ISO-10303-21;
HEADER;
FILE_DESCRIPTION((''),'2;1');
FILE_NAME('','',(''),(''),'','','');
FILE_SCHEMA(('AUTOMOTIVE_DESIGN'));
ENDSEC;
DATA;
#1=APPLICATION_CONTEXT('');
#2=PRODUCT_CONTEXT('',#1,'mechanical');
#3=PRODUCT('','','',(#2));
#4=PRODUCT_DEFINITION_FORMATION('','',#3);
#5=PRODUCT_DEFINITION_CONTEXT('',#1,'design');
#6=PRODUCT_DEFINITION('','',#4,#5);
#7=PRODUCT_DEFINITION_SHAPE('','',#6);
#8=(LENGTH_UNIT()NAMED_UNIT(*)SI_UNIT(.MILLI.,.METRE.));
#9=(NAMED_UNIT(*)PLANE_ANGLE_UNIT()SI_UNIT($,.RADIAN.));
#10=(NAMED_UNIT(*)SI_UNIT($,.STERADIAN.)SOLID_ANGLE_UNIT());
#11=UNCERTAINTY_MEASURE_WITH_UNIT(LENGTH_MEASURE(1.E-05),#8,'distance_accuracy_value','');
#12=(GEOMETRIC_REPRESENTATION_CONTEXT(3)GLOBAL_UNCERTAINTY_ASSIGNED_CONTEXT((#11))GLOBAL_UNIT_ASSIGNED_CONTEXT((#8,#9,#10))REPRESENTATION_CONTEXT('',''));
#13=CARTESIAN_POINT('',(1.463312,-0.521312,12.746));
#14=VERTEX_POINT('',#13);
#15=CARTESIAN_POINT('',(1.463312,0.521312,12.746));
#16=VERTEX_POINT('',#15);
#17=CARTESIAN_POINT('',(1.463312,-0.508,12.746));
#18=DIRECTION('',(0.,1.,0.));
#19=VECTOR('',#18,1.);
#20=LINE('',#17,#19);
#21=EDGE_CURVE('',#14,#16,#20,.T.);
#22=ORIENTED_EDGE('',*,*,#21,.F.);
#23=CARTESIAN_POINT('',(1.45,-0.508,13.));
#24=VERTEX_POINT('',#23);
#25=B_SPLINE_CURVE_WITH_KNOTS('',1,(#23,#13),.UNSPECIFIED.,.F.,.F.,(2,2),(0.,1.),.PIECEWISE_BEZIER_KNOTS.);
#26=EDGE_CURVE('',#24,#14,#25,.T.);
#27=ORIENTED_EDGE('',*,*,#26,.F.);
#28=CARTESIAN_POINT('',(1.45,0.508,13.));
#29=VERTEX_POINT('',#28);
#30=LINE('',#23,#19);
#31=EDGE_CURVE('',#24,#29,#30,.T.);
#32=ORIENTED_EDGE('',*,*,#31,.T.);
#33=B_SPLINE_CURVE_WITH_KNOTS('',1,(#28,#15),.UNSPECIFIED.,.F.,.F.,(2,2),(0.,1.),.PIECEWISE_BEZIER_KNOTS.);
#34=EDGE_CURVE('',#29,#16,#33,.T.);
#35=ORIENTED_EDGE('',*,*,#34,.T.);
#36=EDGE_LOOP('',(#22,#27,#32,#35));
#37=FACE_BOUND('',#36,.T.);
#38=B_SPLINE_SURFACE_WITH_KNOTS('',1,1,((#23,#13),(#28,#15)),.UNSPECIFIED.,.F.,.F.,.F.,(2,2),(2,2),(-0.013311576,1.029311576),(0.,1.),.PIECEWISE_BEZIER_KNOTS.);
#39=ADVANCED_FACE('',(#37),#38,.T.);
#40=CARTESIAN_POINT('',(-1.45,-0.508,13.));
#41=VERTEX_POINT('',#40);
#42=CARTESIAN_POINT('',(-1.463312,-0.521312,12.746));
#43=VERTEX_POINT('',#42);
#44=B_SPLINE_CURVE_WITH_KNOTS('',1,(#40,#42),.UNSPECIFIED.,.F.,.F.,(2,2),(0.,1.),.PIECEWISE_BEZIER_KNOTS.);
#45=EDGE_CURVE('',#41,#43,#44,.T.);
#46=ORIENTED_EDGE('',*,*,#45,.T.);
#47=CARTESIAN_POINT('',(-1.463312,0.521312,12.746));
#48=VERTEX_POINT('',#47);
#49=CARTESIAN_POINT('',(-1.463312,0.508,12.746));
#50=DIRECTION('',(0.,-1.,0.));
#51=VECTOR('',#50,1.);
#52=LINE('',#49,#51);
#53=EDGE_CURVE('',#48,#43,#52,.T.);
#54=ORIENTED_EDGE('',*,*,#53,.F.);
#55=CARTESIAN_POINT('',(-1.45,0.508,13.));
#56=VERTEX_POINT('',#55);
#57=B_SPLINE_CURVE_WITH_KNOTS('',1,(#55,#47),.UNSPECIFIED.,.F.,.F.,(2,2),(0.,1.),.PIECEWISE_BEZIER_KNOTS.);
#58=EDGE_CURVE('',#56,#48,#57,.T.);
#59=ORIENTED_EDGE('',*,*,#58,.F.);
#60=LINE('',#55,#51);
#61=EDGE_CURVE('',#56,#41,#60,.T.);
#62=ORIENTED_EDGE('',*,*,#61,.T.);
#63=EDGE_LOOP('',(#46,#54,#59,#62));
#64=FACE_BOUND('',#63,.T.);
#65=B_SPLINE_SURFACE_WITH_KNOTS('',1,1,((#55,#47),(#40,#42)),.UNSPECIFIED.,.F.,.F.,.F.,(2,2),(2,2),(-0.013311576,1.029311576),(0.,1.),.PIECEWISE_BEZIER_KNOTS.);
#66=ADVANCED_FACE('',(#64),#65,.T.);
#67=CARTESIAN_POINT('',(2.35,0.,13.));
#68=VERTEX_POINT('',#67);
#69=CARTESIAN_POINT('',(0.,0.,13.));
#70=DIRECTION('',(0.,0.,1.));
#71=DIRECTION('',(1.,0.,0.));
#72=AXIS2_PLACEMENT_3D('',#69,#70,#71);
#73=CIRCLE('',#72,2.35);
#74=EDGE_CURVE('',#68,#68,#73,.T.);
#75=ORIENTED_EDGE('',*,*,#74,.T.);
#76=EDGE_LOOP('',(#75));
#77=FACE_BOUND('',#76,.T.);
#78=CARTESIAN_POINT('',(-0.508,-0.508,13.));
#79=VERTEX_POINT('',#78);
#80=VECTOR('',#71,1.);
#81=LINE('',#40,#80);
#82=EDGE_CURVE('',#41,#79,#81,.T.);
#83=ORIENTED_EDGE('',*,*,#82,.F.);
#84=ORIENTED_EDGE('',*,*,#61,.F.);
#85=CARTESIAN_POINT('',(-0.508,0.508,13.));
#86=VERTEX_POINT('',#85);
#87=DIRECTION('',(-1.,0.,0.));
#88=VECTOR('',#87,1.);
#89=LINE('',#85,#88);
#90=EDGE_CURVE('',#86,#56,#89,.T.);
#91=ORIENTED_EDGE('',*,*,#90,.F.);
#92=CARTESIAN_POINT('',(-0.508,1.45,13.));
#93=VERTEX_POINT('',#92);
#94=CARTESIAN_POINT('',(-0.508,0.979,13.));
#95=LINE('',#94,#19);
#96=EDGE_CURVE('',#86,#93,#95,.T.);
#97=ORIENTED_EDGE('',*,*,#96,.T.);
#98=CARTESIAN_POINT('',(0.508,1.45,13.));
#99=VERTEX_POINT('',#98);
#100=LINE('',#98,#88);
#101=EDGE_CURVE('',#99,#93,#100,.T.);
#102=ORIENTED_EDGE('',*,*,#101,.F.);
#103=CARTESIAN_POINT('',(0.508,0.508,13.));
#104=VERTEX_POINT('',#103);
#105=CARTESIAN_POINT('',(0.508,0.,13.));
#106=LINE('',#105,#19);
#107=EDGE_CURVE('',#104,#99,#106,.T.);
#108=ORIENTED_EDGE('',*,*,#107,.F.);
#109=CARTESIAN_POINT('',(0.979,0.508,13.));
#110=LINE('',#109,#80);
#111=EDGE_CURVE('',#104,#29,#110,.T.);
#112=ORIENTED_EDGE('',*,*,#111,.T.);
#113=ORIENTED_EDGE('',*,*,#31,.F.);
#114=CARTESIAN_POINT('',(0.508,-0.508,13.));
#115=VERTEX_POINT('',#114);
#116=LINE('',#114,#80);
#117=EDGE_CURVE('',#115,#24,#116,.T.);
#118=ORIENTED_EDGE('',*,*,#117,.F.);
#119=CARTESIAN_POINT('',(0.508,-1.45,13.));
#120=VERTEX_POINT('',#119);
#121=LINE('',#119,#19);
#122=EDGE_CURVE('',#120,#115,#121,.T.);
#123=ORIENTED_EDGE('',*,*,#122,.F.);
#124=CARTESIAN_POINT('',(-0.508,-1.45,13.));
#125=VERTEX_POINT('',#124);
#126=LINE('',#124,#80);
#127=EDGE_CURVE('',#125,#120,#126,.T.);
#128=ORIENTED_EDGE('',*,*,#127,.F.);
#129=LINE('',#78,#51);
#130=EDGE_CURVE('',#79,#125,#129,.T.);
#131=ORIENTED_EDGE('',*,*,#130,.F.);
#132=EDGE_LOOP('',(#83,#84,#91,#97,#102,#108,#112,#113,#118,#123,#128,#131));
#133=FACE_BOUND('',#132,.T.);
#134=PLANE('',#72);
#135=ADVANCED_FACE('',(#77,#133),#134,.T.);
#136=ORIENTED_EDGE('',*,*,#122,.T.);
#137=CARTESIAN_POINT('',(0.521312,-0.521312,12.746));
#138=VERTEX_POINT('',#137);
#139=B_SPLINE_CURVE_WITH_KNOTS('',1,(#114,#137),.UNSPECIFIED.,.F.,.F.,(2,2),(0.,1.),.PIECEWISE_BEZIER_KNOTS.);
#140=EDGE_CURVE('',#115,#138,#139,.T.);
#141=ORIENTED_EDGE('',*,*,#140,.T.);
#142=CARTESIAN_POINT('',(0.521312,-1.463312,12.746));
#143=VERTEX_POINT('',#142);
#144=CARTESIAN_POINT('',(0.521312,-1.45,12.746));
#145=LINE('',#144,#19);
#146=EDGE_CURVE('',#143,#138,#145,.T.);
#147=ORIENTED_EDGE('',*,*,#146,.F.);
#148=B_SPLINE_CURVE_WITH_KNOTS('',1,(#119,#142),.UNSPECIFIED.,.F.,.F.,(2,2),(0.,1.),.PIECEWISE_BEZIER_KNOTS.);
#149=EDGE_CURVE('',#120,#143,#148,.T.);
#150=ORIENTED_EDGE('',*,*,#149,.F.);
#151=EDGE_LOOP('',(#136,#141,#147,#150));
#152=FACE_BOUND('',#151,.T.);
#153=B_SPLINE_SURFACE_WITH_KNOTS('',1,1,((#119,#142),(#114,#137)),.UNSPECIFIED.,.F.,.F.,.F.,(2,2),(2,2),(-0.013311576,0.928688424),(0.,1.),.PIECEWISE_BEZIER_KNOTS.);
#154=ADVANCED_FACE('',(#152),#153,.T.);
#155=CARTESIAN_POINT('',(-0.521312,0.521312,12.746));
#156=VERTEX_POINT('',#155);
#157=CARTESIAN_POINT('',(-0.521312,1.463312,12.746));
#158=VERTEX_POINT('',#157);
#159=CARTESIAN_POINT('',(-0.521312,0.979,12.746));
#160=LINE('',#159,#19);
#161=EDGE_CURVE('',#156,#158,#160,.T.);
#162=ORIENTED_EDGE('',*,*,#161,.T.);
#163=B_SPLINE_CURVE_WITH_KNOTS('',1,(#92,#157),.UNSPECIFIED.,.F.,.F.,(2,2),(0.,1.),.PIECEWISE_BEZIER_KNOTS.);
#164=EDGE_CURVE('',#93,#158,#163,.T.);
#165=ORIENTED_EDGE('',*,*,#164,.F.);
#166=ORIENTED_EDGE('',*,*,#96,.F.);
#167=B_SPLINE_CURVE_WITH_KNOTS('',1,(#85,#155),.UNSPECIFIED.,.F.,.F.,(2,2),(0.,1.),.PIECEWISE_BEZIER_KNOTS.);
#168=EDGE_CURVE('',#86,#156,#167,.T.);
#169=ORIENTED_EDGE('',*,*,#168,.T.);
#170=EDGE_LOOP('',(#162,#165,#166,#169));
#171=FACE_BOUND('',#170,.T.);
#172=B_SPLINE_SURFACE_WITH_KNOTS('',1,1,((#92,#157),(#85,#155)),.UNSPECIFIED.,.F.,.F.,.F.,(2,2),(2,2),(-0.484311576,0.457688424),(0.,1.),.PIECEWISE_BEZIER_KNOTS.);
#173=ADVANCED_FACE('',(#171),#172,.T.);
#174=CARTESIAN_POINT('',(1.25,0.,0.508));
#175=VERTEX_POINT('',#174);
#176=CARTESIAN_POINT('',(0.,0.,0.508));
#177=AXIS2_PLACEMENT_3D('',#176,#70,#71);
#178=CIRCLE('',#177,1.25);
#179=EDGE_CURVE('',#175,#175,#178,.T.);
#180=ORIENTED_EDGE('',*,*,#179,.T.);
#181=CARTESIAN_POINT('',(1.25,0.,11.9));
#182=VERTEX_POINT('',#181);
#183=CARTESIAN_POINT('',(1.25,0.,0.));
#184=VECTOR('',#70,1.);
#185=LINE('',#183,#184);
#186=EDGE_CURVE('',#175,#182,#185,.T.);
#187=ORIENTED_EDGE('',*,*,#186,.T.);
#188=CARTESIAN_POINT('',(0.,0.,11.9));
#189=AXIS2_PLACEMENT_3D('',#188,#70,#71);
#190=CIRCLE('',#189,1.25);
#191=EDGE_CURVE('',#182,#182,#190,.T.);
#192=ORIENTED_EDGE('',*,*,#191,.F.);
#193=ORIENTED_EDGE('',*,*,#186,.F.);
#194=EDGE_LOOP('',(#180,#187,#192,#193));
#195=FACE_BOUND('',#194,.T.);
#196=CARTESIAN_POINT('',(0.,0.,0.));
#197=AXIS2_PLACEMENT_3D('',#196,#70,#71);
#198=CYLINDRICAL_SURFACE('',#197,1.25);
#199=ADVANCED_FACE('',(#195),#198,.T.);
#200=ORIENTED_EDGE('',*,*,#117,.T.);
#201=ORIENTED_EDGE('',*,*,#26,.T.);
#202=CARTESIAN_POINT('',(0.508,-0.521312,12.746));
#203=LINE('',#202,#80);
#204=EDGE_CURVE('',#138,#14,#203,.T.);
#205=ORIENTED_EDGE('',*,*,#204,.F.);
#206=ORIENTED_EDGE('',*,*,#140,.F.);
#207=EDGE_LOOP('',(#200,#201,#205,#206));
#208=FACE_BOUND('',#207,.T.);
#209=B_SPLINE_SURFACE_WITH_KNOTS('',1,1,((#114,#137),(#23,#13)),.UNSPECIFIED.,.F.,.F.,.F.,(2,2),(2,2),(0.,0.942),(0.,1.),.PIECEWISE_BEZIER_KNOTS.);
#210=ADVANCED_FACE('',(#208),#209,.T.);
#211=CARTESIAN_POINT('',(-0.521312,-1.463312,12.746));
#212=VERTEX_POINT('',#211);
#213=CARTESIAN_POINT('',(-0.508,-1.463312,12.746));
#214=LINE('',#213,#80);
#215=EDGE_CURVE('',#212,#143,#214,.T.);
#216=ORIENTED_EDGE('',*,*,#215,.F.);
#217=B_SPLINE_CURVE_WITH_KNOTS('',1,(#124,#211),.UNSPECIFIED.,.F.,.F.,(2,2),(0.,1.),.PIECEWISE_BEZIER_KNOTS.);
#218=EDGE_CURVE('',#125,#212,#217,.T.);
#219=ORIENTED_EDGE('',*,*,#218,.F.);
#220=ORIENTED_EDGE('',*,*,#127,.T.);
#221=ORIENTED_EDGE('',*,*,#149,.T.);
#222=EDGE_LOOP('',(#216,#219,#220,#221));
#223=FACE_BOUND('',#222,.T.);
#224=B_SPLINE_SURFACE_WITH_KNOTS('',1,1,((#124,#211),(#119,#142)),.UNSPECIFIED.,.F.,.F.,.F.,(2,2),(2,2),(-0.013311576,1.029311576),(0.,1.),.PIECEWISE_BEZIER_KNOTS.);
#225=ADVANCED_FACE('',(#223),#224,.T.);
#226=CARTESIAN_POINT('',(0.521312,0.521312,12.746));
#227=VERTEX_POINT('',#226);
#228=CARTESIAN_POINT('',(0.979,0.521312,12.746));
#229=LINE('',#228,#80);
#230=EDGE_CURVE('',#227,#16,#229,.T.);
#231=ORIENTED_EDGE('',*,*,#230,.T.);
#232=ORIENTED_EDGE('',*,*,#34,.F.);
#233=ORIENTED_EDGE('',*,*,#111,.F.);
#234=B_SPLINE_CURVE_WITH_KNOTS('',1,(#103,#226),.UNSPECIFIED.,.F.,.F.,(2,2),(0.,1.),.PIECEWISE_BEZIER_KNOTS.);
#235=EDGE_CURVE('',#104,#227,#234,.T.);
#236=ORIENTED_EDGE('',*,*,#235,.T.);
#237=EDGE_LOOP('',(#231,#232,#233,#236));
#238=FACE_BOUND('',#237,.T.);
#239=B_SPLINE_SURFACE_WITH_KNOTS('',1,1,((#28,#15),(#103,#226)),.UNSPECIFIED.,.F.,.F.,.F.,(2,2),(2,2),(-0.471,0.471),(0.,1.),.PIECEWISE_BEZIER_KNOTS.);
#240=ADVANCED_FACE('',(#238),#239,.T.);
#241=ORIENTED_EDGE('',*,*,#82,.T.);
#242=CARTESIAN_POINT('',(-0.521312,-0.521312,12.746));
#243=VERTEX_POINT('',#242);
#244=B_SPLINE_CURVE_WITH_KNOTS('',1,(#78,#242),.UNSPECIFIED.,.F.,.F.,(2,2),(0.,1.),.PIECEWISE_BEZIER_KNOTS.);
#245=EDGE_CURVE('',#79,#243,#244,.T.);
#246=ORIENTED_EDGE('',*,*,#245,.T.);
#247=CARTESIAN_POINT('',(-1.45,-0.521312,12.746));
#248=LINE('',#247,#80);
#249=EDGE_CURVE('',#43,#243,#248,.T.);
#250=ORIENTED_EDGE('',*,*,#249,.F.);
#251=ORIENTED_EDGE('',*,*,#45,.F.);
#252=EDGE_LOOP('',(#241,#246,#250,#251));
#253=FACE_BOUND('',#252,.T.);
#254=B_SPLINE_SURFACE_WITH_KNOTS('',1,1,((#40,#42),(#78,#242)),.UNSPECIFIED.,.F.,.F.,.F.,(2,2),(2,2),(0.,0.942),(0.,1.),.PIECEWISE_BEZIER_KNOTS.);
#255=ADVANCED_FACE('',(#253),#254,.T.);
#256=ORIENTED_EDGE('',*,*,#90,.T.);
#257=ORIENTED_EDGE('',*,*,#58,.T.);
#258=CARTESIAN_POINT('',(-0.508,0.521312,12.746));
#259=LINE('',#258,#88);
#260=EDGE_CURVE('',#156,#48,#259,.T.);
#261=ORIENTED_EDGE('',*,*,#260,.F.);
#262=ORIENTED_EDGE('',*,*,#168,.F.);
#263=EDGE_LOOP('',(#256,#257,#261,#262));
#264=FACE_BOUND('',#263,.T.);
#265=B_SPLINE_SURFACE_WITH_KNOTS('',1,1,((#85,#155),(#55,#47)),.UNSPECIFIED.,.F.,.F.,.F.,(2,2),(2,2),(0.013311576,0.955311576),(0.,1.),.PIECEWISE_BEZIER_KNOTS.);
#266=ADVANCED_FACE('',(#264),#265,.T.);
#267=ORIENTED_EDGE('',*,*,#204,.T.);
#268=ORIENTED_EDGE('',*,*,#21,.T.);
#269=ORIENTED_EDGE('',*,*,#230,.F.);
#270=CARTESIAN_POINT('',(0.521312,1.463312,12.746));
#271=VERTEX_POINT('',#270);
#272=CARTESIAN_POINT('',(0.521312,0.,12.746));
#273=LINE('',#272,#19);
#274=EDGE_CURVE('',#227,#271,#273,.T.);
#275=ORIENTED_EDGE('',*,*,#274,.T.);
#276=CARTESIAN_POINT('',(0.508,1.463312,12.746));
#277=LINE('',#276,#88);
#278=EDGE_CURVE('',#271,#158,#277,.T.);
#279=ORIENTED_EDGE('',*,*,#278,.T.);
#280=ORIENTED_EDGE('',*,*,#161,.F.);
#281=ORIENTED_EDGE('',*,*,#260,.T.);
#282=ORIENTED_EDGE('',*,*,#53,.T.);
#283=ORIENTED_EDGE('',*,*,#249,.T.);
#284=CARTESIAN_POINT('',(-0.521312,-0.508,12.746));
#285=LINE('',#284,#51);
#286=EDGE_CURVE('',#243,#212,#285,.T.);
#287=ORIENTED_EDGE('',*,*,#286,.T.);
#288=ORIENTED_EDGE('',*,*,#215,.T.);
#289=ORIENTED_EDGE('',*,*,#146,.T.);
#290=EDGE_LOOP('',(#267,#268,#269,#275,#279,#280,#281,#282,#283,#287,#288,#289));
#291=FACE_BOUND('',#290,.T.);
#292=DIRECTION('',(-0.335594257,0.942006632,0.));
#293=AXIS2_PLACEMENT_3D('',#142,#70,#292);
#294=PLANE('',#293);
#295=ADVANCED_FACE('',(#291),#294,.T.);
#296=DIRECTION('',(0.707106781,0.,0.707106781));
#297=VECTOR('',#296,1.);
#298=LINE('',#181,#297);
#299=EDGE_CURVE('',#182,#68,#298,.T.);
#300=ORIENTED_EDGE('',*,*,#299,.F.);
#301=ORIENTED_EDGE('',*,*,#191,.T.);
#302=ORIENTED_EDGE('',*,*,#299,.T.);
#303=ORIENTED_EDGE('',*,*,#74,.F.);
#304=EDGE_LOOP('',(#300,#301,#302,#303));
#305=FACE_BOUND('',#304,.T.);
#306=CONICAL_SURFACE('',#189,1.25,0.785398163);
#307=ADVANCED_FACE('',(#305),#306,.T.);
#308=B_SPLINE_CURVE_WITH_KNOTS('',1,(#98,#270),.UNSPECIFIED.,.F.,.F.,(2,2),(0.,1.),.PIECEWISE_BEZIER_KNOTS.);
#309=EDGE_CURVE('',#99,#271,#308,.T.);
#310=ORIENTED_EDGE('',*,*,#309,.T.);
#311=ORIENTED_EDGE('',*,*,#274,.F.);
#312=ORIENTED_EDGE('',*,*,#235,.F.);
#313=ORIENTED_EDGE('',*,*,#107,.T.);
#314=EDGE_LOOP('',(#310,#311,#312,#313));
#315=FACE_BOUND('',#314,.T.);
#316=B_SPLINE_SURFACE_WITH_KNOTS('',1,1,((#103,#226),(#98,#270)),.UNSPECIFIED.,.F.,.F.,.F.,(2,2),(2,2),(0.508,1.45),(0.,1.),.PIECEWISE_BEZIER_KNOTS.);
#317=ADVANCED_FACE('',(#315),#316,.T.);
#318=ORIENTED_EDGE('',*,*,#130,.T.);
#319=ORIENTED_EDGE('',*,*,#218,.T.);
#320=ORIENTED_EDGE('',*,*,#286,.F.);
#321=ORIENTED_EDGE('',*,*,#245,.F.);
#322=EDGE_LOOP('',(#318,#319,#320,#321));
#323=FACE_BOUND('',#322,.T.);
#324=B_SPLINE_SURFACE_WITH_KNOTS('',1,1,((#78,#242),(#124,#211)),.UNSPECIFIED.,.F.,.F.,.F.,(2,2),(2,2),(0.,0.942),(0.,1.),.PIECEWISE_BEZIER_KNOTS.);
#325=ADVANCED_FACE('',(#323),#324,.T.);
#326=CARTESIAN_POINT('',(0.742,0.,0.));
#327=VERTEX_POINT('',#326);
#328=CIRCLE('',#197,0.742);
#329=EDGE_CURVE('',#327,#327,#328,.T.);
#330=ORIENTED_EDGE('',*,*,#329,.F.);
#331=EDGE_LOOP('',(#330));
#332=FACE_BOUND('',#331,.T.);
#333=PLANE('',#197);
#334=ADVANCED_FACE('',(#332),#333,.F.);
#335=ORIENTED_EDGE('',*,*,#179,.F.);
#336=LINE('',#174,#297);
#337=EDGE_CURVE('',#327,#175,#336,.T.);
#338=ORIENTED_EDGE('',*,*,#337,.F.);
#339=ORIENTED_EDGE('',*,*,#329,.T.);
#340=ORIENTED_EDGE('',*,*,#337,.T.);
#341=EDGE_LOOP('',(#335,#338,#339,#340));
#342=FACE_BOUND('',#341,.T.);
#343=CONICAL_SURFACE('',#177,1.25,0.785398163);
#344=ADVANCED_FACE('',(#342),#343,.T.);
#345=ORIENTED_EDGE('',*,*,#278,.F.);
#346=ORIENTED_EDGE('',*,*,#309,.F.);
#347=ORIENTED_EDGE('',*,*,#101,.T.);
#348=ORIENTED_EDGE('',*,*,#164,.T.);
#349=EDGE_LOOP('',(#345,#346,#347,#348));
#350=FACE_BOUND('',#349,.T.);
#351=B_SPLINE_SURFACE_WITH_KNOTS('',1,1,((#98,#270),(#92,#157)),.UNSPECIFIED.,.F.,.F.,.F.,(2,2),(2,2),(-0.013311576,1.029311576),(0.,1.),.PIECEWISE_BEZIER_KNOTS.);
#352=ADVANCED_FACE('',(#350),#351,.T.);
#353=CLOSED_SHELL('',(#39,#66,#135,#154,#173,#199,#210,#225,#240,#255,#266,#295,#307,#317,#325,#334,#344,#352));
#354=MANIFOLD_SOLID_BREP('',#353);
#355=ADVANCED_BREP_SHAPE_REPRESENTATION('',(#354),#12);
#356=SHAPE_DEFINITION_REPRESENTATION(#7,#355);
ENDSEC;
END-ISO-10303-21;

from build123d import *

# Parameters (mm, degrees)
F2_W     = 0.508
F2_H     = 0.942
F2_W_2   = 0.942
F2_H_2   = 0.508
F3_DEPTH = 0.254
F3_TAPER = -3
F4_SIZE  = 0.508


with BuildPart() as f1:
    # F0 (on Front) → F1 (revolve)
    with BuildSketch(Plane.XZ):
        Polygon((0, 13), (0, 0), (1.25, 0), (1.25, 11.9), (2.35, 13), align=None)
    revolve(axis=Axis((0, 0, 6.5), (0, 0, 1)))

    # F2 (on face) → F3 (cut)
    with BuildSketch(Plane.XY.offset(13)):
        Polygon((-0.508, 0.1779751724), (-1.45, 0.508), (-1.45, 0), (-0.508, 0), align=None)
        Polygon((-0.508, 0.508), (-1.45, 0.508), (-0.508, 0.1779751724), align=None)
        with Locations((-0.254, 0.979)):
            Rectangle(F2_W, F2_H)
        Polygon((0, 0.508), (-0.508, 0.508), (-0.508, 0.1779751724), (0, 0), align=None)
        with Locations((-0.979, -0.254)):
            Rectangle(F2_W_2, F2_H_2)
        Polygon((0, 1.45), (0, 0.508), (0.1779751724, 0.508), (0.508, 1.45), align=None)
        Polygon((0, 0), (-0.508, 0), (-0.508, -0.508), (-0.1779751724, -0.508), align=None)
        Polygon((0.508, -0.1779751724), (0, 0), (0, -0.508), (0.508, -0.508), align=None)
        Polygon((0.1779751724, 0.508), (0, 0), (0.508, 0), (0.508, 0.508), align=None)
        Polygon((0.508, 1.45), (0.1779751724, 0.508), (0.508, 0.508), align=None)
        Polygon((-0.1779751724, -0.508), (-0.508, -0.508), (-0.508, -1.45), align=None)
        Polygon((0, -1.45), (0, -0.508), (-0.1779751724, -0.508), (-0.508, -1.45), align=None)
        with Locations((0.254, -0.979)):
            Rectangle(F2_W, F2_H)
        Polygon((1.45, 0), (0.508, 0), (0.508, -0.1779751724), (1.45, -0.508), align=None)
        with Locations((0.979, 0.254)):
            Rectangle(F2_W_2, F2_H_2)
        Polygon((1.45, -0.508), (0.508, -0.1779751724), (0.508, -0.508), align=None)
        Polygon((0.1779751724, 0.508), (0, 0.508), (0, 0), align=None)
        Polygon((0.508, 0), (0, 0), (0.508, -0.1779751724), align=None)
        Polygon((0, -0.508), (0, 0), (-0.1779751724, -0.508), align=None)
        Polygon((0, 0), (-0.508, 0.1779751724), (-0.508, 0), align=None)
    extrude(amount=-F3_DEPTH, taper=F3_TAPER, mode=Mode.SUBTRACT)

    # F4
    f4_edges = [f1.edges().sort_by_distance(p)[0] for p in [
        (-1.25, 0, 0),
    ]]
    chamfer(f4_edges, length=F4_SIZE)


solid = f1.part
